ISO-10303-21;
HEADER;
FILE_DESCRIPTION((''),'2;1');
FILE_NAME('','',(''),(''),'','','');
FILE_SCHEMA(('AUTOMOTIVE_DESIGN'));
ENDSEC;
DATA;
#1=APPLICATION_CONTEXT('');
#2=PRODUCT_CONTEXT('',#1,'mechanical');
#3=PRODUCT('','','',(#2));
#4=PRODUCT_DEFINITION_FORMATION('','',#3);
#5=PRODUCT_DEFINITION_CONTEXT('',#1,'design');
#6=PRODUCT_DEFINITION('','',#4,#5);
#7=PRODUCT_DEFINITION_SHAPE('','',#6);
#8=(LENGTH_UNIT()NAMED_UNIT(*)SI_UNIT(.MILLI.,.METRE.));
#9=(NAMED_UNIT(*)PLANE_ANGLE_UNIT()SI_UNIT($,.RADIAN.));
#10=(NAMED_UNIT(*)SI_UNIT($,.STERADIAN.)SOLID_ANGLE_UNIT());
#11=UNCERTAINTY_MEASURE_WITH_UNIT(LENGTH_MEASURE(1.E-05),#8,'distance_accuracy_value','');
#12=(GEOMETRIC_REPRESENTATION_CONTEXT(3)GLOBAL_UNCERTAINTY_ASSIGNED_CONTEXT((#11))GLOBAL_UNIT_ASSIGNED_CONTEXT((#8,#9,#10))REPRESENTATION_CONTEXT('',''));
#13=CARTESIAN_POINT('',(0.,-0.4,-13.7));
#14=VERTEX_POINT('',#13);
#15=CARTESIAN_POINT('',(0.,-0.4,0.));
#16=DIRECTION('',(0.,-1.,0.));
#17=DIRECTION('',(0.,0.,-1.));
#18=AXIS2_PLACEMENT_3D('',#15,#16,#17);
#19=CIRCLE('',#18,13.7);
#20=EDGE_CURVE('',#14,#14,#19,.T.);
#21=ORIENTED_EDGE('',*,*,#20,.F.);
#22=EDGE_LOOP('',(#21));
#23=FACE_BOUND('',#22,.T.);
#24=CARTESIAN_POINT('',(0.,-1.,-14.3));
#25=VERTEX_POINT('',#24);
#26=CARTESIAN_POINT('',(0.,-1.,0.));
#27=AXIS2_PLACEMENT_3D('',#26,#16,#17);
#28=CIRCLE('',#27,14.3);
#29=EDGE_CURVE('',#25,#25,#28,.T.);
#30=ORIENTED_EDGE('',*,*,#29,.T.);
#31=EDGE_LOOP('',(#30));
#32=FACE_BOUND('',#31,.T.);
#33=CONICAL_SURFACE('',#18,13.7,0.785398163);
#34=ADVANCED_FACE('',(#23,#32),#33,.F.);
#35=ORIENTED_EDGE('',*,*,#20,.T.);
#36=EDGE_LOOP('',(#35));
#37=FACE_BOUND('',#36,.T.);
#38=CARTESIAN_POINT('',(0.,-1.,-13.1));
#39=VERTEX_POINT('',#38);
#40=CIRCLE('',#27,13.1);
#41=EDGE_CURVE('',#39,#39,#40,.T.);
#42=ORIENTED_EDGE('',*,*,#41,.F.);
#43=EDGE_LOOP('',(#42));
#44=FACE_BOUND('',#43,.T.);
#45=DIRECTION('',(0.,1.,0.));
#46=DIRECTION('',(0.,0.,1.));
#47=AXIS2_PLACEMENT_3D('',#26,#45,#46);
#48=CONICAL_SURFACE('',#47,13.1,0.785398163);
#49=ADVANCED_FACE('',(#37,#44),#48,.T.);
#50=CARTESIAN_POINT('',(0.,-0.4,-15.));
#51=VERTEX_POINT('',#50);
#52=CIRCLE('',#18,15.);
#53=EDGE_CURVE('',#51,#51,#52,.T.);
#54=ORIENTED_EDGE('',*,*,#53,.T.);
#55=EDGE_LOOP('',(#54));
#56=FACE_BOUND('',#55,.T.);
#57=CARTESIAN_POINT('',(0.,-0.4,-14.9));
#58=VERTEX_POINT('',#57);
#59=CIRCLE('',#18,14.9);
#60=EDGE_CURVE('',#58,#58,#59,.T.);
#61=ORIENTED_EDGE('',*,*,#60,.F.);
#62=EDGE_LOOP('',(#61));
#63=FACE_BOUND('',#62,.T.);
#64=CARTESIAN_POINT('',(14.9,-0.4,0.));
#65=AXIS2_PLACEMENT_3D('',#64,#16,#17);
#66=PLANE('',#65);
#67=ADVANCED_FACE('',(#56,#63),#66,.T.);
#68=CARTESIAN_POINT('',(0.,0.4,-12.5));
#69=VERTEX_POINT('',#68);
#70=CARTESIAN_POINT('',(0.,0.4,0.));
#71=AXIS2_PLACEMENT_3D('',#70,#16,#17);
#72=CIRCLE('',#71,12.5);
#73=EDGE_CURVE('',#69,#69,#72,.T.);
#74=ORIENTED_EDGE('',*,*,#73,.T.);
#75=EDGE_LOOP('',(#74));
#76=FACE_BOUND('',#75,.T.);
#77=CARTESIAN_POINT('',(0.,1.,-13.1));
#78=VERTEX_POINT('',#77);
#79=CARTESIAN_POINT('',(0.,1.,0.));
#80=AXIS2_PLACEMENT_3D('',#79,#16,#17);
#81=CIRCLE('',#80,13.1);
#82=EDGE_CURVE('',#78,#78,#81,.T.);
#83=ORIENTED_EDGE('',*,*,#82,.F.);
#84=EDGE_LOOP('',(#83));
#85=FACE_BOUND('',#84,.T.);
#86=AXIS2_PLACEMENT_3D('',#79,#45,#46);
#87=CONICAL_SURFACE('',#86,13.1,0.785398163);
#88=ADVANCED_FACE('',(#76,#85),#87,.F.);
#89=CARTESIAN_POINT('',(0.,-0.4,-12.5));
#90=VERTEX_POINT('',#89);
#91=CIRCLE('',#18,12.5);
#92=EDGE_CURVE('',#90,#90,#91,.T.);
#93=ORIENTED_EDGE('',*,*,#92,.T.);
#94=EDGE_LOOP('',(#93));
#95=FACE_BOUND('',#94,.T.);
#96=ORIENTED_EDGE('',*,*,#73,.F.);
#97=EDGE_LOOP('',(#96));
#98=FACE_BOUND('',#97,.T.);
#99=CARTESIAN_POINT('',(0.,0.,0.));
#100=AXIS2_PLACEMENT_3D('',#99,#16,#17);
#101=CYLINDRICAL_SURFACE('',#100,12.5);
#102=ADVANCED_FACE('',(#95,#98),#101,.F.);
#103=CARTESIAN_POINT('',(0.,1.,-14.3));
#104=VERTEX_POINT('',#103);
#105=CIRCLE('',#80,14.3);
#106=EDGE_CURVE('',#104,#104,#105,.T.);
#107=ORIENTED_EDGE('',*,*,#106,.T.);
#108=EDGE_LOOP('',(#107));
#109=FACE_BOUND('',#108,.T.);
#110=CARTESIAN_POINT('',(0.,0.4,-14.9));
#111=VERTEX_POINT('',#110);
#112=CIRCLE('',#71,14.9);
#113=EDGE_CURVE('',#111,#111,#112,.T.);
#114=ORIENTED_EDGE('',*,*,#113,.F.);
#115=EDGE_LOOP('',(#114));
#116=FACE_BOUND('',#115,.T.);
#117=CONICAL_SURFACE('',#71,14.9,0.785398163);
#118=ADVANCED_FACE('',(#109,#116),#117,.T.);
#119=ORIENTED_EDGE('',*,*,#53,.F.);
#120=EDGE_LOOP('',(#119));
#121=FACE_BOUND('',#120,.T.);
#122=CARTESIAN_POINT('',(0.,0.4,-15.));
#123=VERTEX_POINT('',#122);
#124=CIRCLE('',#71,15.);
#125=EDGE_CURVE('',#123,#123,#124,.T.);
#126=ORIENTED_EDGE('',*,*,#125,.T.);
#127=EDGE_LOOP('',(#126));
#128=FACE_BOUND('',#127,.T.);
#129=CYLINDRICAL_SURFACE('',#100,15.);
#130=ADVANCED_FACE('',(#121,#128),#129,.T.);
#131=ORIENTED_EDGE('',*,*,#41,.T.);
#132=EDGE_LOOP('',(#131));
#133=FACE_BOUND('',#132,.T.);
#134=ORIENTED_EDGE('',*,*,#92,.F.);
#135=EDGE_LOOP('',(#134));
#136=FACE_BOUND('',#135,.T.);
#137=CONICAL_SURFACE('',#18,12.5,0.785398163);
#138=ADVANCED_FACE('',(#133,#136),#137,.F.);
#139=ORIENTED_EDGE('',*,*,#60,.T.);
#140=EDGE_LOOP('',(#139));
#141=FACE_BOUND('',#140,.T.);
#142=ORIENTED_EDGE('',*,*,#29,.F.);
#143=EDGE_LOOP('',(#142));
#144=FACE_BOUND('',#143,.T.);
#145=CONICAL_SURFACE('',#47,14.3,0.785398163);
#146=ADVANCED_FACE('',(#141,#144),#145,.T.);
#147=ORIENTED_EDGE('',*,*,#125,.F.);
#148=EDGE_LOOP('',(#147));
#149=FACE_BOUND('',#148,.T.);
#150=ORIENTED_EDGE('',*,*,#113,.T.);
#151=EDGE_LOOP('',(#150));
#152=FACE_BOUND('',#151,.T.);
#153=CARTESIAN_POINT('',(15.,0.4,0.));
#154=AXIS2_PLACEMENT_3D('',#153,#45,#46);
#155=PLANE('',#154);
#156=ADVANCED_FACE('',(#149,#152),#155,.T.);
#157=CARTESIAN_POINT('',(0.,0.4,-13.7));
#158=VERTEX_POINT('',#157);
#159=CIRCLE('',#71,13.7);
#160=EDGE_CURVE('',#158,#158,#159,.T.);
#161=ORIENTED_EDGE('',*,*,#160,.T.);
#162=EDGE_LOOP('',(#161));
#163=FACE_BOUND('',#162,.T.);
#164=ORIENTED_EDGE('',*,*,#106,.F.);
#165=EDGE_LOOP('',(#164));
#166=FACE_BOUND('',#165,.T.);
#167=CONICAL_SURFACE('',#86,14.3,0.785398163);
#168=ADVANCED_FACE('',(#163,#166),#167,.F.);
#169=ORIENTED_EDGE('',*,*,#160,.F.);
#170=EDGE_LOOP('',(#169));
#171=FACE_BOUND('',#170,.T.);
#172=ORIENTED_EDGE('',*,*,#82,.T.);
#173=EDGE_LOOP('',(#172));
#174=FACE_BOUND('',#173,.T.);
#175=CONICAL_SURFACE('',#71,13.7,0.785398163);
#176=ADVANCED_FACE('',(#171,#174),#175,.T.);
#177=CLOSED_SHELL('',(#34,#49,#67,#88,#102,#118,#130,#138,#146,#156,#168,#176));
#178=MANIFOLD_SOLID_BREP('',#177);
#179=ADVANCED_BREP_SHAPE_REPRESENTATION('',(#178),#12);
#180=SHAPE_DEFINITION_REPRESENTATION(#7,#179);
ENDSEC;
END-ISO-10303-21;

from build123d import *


with BuildPart() as part:
    # Эскиз1 → Повернуть1 (revolve)
    with BuildSketch(Plane.XY, mode=Mode.PRIVATE) as revolve_1_sk:
        Polygon((12.5, 0.4), (12.5, -0.4), (13.1, -1), (13.7, -0.4), (14.3, -1), (14.9, -0.4), (15, -0.4), (15, 0.4), (14.9, 0.4), (14.3, 1), (13.7, 0.4), (13.1, 1), align=None)
    revolve(revolve_1_sk.sketch.rotate(Axis((0, 0, 0), (0, 1, 0)), 90), axis=Axis((0, 0, 0), (0, 1, 0)))


solid = part.part
